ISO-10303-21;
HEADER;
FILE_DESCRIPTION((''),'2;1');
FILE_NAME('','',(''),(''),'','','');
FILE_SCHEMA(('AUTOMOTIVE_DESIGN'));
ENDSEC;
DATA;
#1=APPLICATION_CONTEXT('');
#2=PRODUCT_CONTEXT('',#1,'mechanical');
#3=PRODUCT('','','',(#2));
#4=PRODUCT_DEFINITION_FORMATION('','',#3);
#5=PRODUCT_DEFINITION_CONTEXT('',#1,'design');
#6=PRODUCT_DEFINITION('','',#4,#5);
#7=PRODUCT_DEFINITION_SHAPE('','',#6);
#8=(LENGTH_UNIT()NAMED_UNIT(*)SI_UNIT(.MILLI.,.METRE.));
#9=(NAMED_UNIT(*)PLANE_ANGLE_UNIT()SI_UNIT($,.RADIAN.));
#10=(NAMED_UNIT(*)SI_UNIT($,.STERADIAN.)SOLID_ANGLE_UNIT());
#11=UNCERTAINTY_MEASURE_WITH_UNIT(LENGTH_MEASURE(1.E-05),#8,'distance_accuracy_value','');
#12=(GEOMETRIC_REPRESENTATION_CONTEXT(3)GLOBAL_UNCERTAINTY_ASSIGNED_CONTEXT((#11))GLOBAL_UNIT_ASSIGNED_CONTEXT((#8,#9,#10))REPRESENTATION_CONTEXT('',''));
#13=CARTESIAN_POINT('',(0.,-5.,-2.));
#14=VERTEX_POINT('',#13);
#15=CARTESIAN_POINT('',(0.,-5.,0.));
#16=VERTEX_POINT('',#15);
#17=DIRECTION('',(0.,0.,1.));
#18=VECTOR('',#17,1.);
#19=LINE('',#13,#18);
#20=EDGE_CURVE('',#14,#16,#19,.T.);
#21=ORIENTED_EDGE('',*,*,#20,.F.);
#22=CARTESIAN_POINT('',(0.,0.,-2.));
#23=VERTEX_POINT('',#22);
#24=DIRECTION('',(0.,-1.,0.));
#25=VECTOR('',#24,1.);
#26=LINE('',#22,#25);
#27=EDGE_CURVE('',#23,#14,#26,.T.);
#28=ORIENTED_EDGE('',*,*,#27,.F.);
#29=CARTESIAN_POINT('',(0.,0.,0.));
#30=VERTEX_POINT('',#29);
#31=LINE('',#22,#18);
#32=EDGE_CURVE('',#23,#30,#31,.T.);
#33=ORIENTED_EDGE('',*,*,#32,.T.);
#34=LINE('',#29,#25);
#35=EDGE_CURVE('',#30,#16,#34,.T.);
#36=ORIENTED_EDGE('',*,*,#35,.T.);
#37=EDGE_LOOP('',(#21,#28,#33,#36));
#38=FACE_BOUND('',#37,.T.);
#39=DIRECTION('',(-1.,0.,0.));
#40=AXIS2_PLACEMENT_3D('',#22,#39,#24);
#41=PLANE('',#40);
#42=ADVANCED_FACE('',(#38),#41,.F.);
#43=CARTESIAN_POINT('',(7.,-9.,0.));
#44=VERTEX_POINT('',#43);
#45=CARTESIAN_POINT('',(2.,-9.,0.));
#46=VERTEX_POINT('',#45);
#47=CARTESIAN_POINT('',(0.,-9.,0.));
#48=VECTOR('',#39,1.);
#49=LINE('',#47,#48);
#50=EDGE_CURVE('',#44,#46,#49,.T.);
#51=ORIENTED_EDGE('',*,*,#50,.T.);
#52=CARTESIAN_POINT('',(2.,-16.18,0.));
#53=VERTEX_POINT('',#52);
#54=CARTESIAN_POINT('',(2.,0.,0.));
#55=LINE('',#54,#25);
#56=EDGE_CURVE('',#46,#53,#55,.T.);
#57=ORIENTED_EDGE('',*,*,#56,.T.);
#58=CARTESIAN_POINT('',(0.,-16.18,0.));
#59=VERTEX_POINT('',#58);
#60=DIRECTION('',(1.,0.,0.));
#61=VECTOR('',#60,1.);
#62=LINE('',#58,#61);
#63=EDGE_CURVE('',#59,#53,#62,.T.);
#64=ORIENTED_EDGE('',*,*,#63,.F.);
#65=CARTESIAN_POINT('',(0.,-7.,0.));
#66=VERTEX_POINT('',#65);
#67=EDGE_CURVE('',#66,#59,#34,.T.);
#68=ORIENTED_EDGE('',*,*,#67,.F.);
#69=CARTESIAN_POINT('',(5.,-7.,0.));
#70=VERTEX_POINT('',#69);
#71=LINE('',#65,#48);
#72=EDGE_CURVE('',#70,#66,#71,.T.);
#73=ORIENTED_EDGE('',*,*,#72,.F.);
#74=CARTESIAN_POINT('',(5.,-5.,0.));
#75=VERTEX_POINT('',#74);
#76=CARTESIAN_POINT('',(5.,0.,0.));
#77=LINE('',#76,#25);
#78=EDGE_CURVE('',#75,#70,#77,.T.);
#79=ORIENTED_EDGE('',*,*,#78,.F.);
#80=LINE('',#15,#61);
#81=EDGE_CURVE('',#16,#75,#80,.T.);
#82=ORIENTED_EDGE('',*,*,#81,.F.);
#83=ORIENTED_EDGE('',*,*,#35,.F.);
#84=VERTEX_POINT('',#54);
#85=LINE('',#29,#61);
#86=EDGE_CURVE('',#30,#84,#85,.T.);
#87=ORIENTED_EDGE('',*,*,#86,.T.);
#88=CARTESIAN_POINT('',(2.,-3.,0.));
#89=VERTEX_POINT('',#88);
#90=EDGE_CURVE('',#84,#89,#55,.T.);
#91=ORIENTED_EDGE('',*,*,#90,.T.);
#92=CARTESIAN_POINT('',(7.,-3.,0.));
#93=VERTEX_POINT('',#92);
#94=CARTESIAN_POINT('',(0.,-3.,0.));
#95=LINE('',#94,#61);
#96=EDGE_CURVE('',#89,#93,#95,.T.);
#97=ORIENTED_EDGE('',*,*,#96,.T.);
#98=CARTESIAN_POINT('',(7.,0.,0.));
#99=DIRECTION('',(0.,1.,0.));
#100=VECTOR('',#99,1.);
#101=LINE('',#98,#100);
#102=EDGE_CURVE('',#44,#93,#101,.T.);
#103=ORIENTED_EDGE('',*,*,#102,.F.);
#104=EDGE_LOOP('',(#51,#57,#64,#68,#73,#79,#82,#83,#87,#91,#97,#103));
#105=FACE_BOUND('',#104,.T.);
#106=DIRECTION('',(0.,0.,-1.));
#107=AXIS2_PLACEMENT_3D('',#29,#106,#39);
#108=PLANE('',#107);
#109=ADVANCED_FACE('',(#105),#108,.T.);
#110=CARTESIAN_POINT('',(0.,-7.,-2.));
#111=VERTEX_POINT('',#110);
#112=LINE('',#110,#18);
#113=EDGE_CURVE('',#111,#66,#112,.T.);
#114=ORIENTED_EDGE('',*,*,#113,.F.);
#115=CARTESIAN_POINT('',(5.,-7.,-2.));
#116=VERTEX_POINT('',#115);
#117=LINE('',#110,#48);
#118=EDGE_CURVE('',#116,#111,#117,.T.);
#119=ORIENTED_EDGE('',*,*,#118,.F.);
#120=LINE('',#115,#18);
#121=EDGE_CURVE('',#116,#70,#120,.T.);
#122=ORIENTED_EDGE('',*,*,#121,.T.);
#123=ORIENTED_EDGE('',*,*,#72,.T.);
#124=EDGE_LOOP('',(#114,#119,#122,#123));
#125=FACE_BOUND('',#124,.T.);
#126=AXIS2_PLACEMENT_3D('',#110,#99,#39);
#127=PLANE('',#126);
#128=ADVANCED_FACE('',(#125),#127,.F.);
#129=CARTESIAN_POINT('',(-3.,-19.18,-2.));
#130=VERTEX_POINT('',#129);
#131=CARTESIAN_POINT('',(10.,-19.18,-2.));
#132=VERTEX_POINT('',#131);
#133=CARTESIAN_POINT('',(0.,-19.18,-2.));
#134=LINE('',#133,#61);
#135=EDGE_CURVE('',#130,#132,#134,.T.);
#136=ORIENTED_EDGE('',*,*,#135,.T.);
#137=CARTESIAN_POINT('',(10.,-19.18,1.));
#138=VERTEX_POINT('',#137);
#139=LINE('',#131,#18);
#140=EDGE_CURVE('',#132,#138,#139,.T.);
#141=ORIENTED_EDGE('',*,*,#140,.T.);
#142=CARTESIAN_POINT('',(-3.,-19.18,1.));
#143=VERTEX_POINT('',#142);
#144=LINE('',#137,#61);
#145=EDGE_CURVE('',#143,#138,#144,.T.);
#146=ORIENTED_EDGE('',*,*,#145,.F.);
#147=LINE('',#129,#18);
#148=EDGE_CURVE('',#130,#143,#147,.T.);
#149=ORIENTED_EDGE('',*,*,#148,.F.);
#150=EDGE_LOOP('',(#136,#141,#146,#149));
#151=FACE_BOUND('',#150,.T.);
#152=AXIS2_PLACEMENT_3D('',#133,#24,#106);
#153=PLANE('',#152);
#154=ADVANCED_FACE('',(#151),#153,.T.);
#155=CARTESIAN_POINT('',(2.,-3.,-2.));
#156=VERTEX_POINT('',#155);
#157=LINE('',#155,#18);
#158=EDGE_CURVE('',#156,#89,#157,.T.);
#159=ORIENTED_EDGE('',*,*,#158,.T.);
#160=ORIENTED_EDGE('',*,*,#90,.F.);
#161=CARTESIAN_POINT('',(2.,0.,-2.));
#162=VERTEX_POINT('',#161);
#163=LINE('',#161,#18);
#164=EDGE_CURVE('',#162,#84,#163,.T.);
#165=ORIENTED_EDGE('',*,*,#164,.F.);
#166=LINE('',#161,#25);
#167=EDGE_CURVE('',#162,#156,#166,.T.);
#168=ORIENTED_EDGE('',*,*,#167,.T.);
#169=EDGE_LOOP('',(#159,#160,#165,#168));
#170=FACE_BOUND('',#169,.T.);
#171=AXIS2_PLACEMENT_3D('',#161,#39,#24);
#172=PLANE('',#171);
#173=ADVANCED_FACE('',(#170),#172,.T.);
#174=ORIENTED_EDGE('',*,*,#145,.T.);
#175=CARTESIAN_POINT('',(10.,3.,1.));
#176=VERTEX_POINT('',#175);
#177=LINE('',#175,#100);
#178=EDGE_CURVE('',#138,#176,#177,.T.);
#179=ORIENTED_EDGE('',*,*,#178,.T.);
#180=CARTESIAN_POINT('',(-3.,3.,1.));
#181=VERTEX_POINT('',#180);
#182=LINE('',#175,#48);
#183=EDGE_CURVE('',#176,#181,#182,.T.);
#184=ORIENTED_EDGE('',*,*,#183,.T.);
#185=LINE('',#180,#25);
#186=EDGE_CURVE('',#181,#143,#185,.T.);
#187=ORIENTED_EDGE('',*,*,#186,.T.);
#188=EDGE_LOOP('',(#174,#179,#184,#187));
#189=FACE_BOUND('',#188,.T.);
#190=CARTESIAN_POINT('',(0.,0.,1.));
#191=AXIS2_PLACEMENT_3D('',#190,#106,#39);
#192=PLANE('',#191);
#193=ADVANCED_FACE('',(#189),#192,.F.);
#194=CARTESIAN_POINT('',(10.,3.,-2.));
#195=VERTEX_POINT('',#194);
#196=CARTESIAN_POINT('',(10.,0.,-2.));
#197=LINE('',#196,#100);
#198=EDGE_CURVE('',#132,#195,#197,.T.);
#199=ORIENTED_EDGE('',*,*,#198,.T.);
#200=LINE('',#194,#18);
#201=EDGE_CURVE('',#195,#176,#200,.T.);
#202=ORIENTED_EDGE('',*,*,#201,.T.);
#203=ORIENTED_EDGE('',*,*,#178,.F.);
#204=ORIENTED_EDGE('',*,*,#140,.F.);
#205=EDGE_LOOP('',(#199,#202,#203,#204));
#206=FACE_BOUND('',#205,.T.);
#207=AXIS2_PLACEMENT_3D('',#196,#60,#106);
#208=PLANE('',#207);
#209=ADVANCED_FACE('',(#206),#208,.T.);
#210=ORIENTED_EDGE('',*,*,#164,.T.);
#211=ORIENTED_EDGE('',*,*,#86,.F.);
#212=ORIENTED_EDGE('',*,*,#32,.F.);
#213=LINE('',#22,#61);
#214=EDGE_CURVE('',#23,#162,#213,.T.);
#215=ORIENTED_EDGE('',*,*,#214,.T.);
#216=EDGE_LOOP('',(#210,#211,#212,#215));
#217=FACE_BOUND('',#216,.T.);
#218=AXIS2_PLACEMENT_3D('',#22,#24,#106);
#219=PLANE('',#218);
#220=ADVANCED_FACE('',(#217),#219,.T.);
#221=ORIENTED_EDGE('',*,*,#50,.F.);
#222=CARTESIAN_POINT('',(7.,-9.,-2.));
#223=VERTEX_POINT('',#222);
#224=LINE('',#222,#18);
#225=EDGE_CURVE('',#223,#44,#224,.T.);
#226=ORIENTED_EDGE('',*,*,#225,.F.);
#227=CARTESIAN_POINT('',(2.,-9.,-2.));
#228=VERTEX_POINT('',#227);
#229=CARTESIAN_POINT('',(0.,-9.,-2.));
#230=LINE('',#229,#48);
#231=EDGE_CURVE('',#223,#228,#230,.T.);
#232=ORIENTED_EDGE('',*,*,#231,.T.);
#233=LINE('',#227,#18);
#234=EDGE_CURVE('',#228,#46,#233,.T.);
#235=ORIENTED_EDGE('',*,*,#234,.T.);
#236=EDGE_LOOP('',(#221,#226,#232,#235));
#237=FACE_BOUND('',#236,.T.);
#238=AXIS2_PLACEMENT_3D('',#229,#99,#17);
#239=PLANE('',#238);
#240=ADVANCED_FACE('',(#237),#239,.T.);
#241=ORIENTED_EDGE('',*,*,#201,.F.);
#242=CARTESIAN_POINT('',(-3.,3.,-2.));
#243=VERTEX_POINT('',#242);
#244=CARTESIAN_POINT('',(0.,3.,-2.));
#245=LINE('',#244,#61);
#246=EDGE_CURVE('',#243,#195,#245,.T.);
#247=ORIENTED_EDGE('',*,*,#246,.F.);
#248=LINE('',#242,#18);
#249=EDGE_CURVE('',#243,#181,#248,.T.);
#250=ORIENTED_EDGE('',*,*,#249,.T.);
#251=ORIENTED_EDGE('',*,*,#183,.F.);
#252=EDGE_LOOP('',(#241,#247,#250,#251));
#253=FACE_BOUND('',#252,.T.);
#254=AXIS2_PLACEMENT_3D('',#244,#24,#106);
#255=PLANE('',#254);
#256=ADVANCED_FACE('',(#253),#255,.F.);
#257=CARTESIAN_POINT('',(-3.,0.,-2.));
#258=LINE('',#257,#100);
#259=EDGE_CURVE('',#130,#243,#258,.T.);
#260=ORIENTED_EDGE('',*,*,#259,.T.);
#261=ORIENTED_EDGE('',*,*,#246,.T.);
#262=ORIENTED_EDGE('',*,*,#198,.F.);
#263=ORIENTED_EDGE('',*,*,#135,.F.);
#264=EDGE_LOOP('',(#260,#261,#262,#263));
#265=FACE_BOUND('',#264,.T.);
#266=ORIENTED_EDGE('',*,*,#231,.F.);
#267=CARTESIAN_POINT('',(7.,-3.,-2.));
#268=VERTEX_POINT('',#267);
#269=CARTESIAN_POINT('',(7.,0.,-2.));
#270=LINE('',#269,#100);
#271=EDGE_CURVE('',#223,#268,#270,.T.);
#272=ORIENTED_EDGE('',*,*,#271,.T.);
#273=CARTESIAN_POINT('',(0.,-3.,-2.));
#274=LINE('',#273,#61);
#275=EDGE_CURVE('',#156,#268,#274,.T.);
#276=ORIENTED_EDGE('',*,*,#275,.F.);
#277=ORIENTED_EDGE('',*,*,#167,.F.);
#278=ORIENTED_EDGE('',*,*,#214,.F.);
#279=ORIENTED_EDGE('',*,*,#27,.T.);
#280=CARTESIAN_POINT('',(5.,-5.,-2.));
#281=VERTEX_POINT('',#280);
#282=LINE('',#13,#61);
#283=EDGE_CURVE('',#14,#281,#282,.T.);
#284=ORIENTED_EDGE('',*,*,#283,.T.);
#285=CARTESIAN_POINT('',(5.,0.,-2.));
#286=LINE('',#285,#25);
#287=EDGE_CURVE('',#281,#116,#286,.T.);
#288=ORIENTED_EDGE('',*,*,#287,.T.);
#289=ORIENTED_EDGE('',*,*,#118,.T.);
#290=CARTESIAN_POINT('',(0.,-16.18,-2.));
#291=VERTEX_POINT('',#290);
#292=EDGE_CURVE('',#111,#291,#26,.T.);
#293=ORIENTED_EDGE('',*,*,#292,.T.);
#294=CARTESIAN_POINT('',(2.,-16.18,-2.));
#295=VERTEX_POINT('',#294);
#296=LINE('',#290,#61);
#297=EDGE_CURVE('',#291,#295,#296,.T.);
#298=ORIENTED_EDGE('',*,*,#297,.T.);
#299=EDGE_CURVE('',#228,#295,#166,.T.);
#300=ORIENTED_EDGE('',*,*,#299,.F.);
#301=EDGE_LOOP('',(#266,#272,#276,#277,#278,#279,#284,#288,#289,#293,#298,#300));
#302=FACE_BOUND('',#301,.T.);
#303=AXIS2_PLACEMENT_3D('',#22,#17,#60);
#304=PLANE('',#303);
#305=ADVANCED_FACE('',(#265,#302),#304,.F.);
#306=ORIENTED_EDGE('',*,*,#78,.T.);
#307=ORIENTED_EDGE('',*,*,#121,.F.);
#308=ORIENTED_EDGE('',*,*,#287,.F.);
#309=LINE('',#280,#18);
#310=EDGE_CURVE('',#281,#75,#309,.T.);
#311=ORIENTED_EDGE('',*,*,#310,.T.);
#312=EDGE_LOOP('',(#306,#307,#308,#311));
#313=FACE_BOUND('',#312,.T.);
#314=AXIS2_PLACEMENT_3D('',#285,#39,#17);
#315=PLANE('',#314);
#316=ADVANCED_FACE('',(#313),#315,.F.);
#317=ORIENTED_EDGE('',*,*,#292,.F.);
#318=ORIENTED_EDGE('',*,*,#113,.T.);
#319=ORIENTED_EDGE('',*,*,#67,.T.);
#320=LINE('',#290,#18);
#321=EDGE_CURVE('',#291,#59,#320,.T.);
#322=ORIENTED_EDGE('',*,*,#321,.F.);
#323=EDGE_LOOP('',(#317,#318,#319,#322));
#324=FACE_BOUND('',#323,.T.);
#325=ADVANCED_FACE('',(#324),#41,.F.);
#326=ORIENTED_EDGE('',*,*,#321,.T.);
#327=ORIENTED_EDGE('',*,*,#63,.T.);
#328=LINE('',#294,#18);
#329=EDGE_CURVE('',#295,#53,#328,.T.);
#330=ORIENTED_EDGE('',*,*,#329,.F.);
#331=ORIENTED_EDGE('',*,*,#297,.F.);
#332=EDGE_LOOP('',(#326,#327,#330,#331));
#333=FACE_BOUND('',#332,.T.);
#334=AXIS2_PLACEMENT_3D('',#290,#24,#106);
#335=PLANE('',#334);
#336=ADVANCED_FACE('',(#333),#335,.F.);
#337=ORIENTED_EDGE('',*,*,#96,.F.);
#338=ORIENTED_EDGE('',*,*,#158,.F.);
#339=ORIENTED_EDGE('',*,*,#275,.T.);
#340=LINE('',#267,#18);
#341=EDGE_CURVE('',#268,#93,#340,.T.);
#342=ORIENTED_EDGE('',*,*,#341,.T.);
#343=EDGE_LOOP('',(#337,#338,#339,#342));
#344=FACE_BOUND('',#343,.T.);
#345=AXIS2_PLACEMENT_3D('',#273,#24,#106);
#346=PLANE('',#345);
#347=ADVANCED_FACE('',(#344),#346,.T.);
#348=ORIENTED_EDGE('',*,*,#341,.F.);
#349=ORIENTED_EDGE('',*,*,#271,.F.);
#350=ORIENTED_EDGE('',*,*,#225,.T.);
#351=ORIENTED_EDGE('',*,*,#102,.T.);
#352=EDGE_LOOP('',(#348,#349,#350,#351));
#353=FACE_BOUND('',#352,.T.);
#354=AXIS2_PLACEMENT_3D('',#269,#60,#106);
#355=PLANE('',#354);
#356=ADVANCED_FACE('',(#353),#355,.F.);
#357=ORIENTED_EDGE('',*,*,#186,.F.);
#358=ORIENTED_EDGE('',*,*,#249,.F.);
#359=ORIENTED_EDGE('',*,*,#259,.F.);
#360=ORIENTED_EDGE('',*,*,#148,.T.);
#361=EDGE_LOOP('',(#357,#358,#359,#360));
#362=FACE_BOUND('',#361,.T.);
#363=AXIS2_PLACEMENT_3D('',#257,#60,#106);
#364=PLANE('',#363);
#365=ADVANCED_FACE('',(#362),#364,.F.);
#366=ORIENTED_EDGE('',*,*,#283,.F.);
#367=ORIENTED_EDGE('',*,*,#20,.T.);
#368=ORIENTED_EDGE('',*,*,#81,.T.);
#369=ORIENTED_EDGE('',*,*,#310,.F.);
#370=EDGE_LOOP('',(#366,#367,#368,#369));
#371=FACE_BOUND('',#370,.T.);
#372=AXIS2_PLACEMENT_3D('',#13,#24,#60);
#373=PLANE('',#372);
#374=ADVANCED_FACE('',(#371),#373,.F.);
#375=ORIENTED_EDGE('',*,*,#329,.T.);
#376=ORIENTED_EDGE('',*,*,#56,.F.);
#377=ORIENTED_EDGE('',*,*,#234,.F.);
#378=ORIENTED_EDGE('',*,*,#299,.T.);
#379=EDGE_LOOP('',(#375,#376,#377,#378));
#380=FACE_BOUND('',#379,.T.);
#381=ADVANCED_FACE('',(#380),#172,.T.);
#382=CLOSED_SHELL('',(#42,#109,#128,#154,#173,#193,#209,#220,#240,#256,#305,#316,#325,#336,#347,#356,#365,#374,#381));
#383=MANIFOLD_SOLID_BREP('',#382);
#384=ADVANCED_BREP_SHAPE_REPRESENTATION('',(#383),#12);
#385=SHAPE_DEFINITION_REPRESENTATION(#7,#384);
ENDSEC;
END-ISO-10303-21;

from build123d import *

# Parameters (mm, degrees)
SKETCH_1_W      = 13
SKETCH_1_H      = 22.18
EXTRUDE_1_DEPTH = 2
SKETCH_2_W      = 13
SKETCH_2_H      = 22.18
EXTRUDE_3_DEPTH = 1


with BuildPart() as part:
    # 草图1 → 凸台-拉伸1 (new body)
    with BuildSketch(Plane.XY):
        with Locations((3.5, -8.09)):
            Rectangle(SKETCH_1_W, SKETCH_1_H)
        Polygon((0, -5), (0, 0), (2, 0), (2, -3), (7, -3), (7, -5), (7, -9), (5, -9), (2, -9), (2, -16.18), (0, -16.18), (0, -9), (0, -7), (5, -7), (5, -5), (2, -5), align=None, mode=Mode.SUBTRACT)
    extrude(amount=-EXTRUDE_1_DEPTH)

    # 草图2 → 凸台-拉伸3 (add)
    with BuildSketch(Plane.XY):
        with Locations((3.5, -8.09)):
            Rectangle(SKETCH_2_W, SKETCH_2_H)
    extrude(amount=EXTRUDE_3_DEPTH)


solid = part.part
